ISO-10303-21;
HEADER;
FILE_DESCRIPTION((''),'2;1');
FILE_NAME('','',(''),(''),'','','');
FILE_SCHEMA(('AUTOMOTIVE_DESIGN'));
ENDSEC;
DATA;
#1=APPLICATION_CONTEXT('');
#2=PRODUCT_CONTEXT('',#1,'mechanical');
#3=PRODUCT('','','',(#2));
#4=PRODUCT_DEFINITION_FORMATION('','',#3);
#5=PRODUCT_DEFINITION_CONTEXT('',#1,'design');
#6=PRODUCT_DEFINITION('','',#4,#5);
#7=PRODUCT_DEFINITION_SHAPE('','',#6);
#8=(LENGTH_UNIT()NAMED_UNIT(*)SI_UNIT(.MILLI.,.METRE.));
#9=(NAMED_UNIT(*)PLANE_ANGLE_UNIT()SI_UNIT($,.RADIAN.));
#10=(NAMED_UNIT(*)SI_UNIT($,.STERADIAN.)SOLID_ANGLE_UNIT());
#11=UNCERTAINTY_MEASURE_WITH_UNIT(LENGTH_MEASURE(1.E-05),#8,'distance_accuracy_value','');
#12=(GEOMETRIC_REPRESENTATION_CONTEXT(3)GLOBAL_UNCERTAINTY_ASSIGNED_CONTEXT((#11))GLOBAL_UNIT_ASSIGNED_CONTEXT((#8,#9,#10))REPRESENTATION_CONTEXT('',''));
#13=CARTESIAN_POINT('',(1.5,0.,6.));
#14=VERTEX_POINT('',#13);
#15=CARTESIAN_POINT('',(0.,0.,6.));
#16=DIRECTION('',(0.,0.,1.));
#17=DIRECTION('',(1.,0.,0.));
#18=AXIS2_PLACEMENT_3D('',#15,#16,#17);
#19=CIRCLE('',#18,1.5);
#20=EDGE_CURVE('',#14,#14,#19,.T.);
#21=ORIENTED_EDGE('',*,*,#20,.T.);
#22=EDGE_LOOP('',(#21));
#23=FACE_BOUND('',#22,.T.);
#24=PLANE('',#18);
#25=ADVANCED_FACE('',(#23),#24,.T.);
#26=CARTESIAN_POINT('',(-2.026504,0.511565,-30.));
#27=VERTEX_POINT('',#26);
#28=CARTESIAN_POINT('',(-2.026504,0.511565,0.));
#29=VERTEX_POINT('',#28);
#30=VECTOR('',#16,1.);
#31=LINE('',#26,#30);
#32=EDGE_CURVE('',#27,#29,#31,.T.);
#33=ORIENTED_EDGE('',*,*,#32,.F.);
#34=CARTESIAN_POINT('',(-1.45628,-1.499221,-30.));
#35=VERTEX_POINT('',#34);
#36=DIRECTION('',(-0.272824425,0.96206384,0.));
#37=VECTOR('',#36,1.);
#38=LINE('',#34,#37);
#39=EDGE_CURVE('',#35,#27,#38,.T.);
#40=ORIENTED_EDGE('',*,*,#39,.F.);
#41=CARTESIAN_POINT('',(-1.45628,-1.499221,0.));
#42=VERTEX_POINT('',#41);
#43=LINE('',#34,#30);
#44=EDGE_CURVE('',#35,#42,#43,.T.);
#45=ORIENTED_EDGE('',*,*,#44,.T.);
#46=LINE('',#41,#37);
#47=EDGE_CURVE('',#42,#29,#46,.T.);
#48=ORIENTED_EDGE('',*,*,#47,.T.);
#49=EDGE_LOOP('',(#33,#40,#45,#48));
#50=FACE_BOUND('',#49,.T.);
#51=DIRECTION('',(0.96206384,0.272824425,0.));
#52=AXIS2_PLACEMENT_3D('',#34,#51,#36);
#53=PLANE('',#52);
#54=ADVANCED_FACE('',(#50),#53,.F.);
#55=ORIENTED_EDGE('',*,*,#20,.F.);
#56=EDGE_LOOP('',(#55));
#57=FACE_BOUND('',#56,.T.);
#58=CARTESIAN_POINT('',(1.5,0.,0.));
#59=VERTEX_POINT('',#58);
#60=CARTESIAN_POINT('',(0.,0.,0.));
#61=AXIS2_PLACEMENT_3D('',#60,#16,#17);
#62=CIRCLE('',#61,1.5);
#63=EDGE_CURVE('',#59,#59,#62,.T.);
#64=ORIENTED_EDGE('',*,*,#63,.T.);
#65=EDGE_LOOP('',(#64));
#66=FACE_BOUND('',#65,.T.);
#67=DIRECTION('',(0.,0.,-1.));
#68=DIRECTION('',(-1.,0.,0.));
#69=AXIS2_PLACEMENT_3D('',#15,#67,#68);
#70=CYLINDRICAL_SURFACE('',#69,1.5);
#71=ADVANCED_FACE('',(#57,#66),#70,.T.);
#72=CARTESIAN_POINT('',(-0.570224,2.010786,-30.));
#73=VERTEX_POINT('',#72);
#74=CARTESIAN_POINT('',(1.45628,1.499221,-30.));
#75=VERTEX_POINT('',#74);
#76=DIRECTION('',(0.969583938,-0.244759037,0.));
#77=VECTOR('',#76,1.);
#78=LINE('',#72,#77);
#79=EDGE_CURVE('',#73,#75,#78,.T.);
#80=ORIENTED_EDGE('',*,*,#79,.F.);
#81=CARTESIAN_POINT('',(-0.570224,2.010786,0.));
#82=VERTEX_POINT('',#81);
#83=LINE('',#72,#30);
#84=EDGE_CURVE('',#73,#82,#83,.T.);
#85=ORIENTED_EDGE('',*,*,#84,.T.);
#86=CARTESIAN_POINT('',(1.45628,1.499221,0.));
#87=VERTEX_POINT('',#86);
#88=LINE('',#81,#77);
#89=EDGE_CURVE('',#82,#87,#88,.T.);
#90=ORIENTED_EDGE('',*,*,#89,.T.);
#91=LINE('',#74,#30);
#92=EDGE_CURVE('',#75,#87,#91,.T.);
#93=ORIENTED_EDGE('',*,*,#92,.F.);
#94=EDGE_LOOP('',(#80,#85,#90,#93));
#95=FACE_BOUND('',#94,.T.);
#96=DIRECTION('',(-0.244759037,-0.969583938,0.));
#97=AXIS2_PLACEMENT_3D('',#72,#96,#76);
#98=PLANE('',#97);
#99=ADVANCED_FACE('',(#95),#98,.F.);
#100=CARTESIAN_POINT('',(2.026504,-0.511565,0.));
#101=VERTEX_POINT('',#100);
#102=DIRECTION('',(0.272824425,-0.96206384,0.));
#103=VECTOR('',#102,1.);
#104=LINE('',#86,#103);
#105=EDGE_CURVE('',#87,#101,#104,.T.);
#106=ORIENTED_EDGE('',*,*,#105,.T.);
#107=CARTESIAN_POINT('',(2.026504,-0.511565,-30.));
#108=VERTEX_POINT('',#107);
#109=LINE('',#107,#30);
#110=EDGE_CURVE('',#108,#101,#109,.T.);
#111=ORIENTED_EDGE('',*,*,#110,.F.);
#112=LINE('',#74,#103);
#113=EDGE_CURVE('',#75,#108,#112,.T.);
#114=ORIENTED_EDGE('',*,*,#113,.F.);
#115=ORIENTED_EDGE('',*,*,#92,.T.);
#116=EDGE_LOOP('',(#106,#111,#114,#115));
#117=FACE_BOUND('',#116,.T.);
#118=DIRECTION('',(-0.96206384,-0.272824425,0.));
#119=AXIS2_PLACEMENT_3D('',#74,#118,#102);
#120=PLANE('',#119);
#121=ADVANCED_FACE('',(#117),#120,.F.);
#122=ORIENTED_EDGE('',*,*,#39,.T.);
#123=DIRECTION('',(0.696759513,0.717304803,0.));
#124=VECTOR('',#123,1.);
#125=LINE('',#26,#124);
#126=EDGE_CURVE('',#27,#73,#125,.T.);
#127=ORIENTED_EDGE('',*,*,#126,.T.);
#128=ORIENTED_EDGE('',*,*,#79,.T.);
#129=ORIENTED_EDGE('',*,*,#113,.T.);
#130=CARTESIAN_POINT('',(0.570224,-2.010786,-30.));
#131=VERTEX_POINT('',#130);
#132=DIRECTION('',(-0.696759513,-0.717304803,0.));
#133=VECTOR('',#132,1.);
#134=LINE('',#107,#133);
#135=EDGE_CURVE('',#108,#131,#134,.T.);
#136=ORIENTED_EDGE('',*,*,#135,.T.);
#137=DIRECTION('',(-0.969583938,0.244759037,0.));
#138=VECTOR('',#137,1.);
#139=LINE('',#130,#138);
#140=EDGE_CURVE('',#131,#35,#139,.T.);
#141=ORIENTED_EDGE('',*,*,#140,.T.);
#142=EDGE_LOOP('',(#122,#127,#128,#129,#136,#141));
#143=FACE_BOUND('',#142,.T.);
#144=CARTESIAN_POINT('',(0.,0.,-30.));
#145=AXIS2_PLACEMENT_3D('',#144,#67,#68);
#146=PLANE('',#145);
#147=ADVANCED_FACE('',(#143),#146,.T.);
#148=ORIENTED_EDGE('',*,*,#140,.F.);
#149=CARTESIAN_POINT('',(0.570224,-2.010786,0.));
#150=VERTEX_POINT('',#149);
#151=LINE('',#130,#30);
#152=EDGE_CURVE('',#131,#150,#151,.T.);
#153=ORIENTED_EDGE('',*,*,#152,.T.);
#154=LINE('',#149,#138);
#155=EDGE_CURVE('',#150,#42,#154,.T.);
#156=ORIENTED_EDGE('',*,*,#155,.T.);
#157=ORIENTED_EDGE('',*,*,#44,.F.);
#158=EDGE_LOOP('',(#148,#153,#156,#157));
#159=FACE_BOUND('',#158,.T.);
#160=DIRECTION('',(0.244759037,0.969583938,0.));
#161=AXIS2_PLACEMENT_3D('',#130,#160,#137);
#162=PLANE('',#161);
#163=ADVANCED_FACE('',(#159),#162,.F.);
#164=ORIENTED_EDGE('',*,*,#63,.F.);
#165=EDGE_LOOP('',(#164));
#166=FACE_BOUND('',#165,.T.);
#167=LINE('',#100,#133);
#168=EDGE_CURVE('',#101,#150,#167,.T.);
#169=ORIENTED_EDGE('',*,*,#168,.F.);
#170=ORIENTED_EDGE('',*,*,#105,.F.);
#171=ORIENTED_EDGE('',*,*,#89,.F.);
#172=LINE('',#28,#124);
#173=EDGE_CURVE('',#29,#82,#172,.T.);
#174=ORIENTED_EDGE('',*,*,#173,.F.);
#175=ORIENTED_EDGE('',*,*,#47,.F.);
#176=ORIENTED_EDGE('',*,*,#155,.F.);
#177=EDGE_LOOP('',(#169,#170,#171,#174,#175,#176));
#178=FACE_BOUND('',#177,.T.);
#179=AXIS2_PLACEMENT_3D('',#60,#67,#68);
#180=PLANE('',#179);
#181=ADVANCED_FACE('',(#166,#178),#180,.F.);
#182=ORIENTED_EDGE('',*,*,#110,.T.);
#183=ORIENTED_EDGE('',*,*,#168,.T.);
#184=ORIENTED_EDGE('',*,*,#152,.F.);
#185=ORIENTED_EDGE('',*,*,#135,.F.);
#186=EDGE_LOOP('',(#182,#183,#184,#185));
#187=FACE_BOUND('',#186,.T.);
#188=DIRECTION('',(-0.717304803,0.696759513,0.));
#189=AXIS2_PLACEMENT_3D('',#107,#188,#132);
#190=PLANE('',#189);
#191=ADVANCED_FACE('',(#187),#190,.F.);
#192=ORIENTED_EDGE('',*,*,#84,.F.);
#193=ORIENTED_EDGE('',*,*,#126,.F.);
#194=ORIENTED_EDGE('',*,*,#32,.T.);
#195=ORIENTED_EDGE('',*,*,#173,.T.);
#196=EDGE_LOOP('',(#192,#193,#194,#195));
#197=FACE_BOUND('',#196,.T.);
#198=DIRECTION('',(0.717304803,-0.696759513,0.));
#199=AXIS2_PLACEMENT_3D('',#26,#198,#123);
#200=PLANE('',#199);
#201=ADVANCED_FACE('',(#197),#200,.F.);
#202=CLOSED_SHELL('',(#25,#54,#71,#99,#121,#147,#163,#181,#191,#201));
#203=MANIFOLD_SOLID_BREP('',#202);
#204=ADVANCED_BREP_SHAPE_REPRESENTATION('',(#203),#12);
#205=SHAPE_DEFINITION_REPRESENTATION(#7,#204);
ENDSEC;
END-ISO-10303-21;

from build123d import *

# Parameters (mm, degrees)
SKETCH_1_R      = 1.5
EXTRUDE_1_DEPTH = 6
EXTRUDE_2_DEPTH = 30


with BuildPart() as part:
    # 草图1 → 凸台-拉伸1 (new body)
    with BuildSketch(Plane.XY):
        Circle(SKETCH_1_R)
    extrude(amount=EXTRUDE_1_DEPTH)

    # 草图2 → 凸台-拉伸2 (add)
    with BuildSketch(Plane(origin=(0, 0, 0), x_dir=(-1, 0, 0), z_dir=(0, 0, -1))):
        Polygon((1.456280061, -1.49922127), (2.026503736, 0.511564893), (0.570223675, 2.010786163), (-1.456280061, 1.49922127), (-2.026503736, -0.511564893), (-0.570223675, -2.010786163), align=None)
    extrude(amount=EXTRUDE_2_DEPTH)


solid = part.part
